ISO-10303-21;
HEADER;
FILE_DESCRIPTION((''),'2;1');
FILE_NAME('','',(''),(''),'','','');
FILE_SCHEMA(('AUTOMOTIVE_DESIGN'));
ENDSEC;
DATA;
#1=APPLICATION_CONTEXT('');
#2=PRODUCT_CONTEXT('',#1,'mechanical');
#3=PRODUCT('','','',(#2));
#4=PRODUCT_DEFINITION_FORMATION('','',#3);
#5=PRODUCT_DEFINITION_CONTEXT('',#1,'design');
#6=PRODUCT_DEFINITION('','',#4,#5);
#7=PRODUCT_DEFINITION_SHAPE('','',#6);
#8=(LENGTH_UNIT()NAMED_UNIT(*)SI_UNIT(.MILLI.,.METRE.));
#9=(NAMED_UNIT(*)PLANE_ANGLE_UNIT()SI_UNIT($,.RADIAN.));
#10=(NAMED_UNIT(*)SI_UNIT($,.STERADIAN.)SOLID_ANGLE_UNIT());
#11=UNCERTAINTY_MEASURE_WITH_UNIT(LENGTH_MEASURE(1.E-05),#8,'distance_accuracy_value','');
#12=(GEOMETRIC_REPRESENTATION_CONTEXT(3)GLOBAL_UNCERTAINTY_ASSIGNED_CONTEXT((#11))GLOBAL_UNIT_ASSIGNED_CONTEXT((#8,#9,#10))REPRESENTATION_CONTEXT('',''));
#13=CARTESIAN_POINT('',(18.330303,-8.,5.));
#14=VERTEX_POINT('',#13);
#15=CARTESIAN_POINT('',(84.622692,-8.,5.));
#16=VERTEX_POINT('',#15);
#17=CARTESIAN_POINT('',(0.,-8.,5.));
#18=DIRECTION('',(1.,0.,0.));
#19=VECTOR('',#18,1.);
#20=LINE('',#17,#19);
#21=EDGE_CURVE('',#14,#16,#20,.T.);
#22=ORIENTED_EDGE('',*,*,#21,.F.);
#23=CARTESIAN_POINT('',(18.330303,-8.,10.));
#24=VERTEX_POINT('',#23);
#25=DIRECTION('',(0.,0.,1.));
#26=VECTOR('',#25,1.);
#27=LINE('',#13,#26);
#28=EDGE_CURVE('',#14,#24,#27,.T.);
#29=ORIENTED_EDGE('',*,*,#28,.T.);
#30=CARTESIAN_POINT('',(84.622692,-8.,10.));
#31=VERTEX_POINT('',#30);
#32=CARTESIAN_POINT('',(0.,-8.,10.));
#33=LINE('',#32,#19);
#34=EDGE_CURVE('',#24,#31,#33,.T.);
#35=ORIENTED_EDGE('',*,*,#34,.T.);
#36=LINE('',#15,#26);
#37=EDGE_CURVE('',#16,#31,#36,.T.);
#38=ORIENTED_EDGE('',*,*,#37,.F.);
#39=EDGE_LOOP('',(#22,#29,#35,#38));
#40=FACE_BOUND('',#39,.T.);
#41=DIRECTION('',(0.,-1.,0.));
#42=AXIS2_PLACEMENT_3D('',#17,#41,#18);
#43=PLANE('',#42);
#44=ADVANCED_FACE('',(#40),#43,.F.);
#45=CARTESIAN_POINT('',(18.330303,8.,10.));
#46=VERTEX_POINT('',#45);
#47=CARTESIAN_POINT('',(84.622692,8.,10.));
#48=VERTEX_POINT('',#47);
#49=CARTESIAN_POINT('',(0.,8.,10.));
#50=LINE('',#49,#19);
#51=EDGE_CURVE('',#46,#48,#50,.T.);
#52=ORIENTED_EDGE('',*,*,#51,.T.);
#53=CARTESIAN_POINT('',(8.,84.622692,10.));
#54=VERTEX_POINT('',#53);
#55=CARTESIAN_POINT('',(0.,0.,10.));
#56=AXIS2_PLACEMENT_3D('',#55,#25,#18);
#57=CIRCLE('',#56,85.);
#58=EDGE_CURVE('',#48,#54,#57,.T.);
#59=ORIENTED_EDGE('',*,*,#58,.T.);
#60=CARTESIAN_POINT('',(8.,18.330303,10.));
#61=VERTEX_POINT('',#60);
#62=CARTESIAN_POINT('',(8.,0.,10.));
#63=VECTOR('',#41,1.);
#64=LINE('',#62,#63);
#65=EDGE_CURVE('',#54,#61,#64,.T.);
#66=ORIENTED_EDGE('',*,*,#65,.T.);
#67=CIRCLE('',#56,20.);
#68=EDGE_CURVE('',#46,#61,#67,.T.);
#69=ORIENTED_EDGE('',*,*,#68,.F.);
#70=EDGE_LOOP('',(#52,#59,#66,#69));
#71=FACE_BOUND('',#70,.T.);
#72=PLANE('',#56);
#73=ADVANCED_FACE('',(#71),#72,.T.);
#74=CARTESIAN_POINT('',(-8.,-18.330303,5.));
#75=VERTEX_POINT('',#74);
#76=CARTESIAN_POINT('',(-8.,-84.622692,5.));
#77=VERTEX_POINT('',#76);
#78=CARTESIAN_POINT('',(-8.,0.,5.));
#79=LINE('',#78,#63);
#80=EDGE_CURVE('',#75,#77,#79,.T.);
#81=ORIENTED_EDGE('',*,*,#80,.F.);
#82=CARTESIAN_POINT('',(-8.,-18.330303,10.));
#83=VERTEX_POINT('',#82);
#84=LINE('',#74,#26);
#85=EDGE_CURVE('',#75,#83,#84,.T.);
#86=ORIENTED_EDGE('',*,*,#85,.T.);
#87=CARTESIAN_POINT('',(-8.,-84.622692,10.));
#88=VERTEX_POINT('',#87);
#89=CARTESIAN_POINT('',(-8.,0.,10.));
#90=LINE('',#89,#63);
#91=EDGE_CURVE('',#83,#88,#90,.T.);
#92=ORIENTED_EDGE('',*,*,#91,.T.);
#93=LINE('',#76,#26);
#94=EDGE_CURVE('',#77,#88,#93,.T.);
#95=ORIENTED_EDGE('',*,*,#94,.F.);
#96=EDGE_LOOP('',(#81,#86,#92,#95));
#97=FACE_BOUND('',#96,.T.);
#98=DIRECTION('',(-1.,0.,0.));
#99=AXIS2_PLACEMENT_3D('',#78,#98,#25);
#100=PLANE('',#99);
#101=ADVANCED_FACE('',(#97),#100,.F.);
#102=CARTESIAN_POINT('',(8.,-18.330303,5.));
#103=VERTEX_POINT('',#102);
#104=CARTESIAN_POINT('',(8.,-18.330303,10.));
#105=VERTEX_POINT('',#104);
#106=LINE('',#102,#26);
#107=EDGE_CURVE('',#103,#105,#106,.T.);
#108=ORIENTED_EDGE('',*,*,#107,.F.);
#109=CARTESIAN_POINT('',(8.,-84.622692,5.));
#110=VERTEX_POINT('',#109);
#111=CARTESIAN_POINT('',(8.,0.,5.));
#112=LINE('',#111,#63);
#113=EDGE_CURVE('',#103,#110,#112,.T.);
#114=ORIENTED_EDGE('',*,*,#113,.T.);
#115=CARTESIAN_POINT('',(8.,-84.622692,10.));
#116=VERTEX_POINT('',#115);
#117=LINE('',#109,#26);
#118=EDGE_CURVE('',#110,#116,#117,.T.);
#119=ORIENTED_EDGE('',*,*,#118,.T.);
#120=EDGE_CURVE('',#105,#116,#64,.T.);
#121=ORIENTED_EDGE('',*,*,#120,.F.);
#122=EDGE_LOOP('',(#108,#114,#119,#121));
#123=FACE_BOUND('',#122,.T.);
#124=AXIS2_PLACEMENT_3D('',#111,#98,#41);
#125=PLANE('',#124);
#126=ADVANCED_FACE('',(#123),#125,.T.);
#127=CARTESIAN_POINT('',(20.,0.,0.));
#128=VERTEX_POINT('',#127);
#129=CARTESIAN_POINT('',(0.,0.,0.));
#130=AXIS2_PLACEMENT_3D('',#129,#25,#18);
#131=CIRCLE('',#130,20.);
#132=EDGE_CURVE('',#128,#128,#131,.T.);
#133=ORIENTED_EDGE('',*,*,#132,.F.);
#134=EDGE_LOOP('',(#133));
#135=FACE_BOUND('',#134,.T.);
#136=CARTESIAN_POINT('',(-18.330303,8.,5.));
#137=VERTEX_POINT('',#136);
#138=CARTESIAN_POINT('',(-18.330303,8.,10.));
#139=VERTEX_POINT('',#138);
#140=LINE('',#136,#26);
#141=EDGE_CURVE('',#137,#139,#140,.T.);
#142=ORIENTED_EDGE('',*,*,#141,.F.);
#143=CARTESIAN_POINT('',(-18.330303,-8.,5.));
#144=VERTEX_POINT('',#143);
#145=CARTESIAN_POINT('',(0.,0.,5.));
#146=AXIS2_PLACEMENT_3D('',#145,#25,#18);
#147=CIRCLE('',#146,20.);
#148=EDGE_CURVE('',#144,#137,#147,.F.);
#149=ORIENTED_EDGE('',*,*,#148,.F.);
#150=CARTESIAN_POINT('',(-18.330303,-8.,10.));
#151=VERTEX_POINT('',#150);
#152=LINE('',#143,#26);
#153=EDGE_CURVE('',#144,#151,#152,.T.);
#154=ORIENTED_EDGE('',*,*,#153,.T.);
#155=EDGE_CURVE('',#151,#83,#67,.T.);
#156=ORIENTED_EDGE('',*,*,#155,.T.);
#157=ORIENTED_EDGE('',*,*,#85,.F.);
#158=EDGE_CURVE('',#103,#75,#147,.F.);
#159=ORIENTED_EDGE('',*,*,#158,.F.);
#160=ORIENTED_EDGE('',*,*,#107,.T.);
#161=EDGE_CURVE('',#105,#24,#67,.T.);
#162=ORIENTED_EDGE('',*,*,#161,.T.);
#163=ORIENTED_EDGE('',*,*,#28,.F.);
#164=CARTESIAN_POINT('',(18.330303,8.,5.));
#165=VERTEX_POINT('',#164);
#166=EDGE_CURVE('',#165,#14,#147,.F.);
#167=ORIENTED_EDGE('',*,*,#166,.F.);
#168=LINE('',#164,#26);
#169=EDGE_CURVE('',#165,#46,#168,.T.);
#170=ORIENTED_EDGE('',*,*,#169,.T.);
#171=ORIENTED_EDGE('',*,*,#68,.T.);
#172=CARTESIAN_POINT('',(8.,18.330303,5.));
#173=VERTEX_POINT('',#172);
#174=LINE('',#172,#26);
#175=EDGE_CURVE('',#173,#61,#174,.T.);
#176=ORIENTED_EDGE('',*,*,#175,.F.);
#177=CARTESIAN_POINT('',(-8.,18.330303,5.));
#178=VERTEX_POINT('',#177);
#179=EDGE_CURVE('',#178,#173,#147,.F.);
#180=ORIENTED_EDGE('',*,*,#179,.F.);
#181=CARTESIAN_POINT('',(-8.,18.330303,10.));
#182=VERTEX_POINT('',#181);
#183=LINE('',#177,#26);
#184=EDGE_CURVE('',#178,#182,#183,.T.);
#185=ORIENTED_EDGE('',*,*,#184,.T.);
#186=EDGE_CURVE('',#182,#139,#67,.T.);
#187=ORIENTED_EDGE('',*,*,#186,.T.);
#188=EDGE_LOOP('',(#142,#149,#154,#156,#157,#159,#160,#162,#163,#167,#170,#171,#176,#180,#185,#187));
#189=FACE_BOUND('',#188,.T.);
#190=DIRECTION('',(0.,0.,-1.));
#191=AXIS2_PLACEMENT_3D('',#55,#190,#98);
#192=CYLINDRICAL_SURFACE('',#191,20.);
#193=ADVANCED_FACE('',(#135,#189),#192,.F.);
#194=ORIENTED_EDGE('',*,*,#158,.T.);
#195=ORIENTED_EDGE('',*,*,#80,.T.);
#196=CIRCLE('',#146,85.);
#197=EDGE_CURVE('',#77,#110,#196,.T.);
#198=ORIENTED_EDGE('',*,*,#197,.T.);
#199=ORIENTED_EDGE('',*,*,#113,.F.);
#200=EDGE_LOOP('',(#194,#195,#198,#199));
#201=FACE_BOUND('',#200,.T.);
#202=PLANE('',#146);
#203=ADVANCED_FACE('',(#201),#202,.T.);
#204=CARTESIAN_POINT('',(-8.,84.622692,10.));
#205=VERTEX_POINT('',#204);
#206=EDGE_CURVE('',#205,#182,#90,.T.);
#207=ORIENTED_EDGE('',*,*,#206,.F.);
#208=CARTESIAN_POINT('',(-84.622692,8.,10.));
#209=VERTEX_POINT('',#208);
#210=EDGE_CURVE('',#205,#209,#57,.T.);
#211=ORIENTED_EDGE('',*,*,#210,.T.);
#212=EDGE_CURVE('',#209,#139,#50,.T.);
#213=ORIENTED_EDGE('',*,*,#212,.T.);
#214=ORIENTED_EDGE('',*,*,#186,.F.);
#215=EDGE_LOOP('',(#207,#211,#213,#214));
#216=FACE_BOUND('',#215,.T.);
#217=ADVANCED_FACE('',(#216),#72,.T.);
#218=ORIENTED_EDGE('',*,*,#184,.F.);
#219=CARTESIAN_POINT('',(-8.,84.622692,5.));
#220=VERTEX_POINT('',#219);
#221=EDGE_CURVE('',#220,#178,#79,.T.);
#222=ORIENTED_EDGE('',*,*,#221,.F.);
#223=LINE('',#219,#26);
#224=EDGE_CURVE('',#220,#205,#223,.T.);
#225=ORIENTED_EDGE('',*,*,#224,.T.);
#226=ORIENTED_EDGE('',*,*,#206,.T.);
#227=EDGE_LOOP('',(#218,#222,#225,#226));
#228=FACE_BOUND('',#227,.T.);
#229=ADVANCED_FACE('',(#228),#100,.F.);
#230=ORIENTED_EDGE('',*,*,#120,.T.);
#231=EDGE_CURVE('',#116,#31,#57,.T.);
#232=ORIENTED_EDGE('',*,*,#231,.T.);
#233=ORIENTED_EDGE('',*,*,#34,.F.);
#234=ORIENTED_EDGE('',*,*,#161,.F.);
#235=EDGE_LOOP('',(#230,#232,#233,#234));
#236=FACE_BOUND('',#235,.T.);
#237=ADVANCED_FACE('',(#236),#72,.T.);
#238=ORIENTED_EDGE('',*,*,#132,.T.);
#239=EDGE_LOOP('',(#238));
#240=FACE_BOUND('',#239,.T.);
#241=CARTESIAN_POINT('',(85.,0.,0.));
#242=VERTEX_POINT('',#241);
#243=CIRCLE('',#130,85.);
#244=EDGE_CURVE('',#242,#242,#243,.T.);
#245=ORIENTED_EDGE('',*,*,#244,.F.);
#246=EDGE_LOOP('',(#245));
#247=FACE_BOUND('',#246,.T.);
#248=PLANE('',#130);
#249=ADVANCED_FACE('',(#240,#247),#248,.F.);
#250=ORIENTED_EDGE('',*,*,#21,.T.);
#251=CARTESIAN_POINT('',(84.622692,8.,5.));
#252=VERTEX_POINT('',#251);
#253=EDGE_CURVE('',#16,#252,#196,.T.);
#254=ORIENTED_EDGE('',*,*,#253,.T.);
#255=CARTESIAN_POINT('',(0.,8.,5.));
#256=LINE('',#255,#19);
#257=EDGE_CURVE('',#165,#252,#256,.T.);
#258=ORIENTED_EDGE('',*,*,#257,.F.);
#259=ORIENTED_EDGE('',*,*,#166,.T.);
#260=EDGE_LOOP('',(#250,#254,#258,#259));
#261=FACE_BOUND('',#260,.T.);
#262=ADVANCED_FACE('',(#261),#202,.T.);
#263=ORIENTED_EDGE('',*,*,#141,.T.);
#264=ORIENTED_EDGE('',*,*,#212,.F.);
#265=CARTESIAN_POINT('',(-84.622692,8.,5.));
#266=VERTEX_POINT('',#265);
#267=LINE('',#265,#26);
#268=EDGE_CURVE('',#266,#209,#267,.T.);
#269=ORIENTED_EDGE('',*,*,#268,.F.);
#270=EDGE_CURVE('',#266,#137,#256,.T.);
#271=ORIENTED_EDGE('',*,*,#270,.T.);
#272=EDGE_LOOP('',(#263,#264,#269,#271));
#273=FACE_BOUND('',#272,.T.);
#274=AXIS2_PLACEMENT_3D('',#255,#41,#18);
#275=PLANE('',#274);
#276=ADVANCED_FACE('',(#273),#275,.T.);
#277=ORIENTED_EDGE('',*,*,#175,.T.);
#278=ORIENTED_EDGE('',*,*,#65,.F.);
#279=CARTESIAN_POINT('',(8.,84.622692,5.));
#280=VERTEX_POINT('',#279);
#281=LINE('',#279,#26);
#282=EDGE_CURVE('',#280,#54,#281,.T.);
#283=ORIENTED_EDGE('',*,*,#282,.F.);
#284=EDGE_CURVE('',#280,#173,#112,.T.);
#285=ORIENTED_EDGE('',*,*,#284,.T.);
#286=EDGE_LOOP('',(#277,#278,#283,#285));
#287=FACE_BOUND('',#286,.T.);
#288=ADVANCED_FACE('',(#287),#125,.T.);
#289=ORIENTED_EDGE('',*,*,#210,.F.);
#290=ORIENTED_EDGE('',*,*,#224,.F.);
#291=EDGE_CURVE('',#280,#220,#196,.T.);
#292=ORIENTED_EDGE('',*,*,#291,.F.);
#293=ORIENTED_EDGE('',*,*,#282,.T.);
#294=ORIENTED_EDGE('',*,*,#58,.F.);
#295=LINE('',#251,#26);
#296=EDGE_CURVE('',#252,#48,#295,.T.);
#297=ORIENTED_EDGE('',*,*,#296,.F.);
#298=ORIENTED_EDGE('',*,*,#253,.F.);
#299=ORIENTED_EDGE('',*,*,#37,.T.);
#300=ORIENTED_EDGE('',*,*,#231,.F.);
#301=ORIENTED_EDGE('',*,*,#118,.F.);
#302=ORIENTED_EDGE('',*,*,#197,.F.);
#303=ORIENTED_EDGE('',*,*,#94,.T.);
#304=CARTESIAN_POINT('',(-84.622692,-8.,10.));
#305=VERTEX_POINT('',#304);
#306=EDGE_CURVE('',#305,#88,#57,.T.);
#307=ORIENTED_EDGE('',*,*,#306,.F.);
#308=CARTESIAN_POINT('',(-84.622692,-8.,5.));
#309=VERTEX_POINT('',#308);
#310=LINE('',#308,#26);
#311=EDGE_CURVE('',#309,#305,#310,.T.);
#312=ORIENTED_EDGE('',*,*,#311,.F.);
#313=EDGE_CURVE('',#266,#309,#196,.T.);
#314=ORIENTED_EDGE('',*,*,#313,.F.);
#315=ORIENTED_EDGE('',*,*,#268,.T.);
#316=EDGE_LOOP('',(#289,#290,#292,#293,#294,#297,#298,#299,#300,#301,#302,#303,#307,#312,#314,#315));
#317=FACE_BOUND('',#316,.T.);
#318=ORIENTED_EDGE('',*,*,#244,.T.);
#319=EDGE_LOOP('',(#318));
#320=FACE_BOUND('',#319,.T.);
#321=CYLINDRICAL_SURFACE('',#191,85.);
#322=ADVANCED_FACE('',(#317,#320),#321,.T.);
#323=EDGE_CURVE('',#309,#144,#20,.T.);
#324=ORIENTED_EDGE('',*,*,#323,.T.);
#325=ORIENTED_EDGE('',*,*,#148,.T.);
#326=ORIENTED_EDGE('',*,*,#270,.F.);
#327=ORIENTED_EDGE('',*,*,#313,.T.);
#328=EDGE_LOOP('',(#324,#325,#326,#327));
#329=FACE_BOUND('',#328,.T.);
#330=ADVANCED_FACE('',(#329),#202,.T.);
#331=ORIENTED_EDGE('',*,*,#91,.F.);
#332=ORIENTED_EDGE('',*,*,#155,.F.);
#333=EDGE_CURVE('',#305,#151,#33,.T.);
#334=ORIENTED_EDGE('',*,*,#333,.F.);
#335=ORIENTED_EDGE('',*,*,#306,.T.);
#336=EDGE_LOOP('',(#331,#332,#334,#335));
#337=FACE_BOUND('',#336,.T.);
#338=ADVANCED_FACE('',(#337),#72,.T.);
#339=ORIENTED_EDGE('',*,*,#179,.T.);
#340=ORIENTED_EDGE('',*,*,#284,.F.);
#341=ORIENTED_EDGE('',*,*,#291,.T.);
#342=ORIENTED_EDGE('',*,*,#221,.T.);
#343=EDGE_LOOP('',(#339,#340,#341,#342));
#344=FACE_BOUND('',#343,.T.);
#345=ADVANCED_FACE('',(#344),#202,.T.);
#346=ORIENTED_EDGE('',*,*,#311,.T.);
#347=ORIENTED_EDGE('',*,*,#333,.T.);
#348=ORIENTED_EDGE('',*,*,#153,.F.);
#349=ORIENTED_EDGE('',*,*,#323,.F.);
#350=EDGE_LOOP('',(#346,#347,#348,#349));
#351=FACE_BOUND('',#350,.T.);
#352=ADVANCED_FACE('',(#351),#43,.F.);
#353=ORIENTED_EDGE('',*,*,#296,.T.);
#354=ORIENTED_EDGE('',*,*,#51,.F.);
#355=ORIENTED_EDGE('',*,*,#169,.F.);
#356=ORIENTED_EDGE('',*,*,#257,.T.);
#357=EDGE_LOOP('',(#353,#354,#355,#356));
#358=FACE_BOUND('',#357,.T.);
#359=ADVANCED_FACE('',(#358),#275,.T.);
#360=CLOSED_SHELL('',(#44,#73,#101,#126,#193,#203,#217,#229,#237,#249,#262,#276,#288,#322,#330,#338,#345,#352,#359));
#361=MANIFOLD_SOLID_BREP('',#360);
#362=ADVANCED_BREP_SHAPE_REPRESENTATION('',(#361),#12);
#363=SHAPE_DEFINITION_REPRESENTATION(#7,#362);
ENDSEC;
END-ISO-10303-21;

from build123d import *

# Parameters (mm, degrees)
SKETCH2_R           = 85
SKETCH2_R_2         = 20
BOSS_EXTRUDE1_DEPTH = 10
CUT_EXTRUDE1_START  = -5
CUT_EXTRUDE1_DEPTH  = 5


with BuildPart() as part:
    # Sketch2 → Boss-Extrude1 (new body)
    with BuildSketch(Plane.XY):
        Circle(SKETCH2_R)
        Circle(SKETCH2_R_2, mode=Mode.SUBTRACT)
    extrude(amount=BOSS_EXTRUDE1_DEPTH)

    # Sketch3 → Cut-Extrude1 (cut)
    with BuildSketch(Plane.XY.offset(10).offset(CUT_EXTRUDE1_START)):
        with BuildLine():
            Line((-18.33030278, 8), (-84.622691992, 8))
            ThreePointArc((-84.622691992, 8), (-85, 0), (-84.622691992, -8))
            Line((-84.622691992, -8), (-18.33030278, -8))
            ThreePointArc((-18.33030278, -8), (-20, 0), (-18.33030278, 8))
        make_face()
        with BuildLine():
            ThreePointArc((85, 0), (84.905620601, 4.00444632), (84.622691992, 8))
            Line((84.622691992, 8), (18.33030278, 8))
            ThreePointArc((18.33030278, 8), (19.578126259, 4.086192874), (20, 0))
            ThreePointArc((20, 0), (19.578126259, -4.086192874), (18.33030278, -8))
            Line((18.33030278, -8), (84.622691992, -8))
            ThreePointArc((84.622691992, -8), (84.905620601, -4.00444632), (85, 0))
        make_face()
        with BuildLine():
            ThreePointArc((8, 84.622691992), (0, 85), (-8, 84.622691992))
            Line((-8, 84.622691992), (-8, 18.33030278))
            ThreePointArc((-8, 18.33030278), (0, 20), (8, 18.33030278))
            Line((8, 18.33030278), (8, 84.622691992))
        make_face()
        with BuildLine():
            Line((-8, -18.33030278), (-8, -84.622691992))
            ThreePointArc((-8, -84.622691992), (0, -85), (8, -84.622691992))
            Line((8, -84.622691992), (8, -18.33030278))
            ThreePointArc((8, -18.33030278), (0, -20), (-8, -18.33030278))
        make_face()
    extrude(amount=CUT_EXTRUDE1_DEPTH, mode=Mode.SUBTRACT)


solid = part.part
